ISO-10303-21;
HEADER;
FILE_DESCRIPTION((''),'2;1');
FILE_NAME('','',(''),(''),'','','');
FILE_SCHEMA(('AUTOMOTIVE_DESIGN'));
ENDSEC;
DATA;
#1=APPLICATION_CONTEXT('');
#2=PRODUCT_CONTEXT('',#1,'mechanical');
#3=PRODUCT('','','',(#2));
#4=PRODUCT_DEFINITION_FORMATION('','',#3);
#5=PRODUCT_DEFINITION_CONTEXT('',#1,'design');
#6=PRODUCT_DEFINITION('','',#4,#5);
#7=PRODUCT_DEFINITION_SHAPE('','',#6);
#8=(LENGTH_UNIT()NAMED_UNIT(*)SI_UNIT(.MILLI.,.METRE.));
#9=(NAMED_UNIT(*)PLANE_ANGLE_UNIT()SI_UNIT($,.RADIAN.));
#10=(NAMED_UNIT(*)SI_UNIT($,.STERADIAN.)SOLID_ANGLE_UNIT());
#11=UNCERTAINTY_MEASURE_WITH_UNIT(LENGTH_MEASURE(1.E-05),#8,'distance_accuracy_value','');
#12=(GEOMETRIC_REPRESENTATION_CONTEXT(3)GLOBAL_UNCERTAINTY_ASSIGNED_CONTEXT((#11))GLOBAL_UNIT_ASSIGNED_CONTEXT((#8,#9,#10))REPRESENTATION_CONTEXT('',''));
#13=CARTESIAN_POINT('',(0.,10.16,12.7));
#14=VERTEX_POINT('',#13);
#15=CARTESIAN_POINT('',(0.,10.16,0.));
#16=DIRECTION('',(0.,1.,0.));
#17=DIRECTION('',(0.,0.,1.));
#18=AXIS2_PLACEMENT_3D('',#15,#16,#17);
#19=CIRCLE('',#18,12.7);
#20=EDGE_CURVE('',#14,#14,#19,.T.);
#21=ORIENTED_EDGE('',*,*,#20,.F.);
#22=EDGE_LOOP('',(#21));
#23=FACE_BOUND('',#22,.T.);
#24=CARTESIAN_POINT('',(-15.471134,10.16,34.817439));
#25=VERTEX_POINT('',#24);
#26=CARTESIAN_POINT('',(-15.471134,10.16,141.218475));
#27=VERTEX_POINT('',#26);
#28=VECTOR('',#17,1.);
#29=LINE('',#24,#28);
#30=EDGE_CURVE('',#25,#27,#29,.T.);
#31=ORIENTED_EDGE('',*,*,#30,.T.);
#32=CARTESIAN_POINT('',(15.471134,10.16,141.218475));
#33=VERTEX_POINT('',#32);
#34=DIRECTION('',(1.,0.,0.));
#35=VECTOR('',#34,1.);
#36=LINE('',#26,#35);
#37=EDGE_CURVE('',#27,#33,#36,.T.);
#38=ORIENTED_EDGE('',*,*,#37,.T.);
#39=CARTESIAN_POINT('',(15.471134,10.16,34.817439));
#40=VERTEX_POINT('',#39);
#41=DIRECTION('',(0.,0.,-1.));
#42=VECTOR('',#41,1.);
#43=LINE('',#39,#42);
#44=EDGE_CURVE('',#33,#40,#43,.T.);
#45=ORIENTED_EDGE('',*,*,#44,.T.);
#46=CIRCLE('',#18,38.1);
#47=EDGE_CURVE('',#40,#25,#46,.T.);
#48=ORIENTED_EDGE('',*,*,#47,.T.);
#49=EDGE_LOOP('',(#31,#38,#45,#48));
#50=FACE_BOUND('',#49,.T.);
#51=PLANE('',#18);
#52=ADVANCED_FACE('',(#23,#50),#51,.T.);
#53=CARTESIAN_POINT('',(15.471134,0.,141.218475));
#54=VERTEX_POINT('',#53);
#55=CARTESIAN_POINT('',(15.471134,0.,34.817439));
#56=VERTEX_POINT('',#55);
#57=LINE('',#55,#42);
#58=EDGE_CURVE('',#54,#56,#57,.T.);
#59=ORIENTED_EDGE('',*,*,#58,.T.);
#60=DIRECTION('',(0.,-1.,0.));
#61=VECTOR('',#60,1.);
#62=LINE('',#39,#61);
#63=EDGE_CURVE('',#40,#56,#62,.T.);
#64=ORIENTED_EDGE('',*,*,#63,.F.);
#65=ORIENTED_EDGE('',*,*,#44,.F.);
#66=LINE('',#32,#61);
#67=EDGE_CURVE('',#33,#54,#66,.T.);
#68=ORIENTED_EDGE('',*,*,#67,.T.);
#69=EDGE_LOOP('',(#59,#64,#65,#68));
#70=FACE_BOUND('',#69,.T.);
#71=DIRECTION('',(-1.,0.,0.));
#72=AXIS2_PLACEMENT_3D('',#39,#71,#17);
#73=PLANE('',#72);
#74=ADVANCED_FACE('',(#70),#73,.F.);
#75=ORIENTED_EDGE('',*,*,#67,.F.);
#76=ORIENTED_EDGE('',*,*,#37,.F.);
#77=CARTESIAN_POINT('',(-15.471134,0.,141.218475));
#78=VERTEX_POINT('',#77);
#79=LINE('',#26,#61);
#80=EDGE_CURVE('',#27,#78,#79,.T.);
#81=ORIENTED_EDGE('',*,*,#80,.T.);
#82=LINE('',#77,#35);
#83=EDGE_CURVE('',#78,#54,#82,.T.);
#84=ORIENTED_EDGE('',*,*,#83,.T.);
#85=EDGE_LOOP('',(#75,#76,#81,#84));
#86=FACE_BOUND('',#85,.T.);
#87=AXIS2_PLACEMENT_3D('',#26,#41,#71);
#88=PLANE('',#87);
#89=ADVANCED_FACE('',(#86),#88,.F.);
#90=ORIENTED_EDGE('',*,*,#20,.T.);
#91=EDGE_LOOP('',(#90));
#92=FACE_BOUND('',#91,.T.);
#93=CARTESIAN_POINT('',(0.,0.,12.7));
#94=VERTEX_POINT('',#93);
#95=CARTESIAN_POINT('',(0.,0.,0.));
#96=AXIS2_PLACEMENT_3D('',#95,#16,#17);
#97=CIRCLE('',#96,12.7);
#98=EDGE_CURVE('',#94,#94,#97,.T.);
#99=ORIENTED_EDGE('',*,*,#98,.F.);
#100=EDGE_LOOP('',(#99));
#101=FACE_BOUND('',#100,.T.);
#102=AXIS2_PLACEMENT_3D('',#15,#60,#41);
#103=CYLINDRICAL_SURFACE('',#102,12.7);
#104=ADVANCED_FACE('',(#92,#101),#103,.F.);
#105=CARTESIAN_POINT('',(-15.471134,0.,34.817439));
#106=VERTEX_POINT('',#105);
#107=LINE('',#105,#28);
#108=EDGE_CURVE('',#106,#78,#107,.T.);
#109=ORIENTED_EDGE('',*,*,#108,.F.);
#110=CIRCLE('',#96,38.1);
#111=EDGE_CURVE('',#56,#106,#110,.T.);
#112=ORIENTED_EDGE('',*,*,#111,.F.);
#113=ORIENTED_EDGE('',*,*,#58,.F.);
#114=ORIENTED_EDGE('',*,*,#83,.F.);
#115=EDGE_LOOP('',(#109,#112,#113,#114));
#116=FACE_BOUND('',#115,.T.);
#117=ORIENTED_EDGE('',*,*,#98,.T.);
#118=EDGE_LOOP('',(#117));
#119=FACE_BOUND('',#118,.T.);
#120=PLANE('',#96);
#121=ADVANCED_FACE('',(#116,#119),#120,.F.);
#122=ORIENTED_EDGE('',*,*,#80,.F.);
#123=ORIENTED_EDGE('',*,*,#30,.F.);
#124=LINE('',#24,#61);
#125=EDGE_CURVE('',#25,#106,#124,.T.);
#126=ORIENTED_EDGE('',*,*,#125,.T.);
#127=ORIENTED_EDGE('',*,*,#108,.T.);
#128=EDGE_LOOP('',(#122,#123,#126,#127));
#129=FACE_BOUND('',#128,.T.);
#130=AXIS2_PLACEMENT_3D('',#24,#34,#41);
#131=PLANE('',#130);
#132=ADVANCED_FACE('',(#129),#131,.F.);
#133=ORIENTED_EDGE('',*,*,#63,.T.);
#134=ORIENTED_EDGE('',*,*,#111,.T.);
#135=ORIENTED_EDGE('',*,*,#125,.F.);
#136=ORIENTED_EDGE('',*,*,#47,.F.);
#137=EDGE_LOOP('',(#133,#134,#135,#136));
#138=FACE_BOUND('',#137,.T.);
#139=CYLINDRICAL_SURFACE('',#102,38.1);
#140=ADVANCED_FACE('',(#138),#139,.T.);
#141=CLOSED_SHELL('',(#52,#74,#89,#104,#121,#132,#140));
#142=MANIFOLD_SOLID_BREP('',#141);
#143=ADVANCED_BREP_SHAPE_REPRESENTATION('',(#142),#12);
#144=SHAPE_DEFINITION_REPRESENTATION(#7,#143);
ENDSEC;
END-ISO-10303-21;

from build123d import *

# Parameters (mm, degrees)
SKETCH2_R           = 12.7
BOSS_EXTRUDE2_DEPTH = 10.16


with BuildPart() as part:
    # Sketch2 → Boss-Extrude2 (new body)
    with BuildSketch(Plane(origin=(0, 0, 0), x_dir=(1, 0, 0), z_dir=(0, 1, 0))):
        with BuildLine():
            Line((-15.471133586, -34.817438527), (-15.471133586, -141.218475005))
            Line((-15.471133586, -141.218475005), (15.471133586, -141.218475005))
            Line((15.471133586, -141.218475005), (15.471133586, -34.817438527))
            ThreePointArc((15.471133586, -34.817438527), (0, 38.1), (-15.471133586, -34.817438527))
        make_face()
        with Locations(Location((0, 0, 0), (0, 0, 270))):
            Circle(SKETCH2_R, mode=Mode.SUBTRACT)
    extrude(amount=BOSS_EXTRUDE2_DEPTH)


solid = part.part
